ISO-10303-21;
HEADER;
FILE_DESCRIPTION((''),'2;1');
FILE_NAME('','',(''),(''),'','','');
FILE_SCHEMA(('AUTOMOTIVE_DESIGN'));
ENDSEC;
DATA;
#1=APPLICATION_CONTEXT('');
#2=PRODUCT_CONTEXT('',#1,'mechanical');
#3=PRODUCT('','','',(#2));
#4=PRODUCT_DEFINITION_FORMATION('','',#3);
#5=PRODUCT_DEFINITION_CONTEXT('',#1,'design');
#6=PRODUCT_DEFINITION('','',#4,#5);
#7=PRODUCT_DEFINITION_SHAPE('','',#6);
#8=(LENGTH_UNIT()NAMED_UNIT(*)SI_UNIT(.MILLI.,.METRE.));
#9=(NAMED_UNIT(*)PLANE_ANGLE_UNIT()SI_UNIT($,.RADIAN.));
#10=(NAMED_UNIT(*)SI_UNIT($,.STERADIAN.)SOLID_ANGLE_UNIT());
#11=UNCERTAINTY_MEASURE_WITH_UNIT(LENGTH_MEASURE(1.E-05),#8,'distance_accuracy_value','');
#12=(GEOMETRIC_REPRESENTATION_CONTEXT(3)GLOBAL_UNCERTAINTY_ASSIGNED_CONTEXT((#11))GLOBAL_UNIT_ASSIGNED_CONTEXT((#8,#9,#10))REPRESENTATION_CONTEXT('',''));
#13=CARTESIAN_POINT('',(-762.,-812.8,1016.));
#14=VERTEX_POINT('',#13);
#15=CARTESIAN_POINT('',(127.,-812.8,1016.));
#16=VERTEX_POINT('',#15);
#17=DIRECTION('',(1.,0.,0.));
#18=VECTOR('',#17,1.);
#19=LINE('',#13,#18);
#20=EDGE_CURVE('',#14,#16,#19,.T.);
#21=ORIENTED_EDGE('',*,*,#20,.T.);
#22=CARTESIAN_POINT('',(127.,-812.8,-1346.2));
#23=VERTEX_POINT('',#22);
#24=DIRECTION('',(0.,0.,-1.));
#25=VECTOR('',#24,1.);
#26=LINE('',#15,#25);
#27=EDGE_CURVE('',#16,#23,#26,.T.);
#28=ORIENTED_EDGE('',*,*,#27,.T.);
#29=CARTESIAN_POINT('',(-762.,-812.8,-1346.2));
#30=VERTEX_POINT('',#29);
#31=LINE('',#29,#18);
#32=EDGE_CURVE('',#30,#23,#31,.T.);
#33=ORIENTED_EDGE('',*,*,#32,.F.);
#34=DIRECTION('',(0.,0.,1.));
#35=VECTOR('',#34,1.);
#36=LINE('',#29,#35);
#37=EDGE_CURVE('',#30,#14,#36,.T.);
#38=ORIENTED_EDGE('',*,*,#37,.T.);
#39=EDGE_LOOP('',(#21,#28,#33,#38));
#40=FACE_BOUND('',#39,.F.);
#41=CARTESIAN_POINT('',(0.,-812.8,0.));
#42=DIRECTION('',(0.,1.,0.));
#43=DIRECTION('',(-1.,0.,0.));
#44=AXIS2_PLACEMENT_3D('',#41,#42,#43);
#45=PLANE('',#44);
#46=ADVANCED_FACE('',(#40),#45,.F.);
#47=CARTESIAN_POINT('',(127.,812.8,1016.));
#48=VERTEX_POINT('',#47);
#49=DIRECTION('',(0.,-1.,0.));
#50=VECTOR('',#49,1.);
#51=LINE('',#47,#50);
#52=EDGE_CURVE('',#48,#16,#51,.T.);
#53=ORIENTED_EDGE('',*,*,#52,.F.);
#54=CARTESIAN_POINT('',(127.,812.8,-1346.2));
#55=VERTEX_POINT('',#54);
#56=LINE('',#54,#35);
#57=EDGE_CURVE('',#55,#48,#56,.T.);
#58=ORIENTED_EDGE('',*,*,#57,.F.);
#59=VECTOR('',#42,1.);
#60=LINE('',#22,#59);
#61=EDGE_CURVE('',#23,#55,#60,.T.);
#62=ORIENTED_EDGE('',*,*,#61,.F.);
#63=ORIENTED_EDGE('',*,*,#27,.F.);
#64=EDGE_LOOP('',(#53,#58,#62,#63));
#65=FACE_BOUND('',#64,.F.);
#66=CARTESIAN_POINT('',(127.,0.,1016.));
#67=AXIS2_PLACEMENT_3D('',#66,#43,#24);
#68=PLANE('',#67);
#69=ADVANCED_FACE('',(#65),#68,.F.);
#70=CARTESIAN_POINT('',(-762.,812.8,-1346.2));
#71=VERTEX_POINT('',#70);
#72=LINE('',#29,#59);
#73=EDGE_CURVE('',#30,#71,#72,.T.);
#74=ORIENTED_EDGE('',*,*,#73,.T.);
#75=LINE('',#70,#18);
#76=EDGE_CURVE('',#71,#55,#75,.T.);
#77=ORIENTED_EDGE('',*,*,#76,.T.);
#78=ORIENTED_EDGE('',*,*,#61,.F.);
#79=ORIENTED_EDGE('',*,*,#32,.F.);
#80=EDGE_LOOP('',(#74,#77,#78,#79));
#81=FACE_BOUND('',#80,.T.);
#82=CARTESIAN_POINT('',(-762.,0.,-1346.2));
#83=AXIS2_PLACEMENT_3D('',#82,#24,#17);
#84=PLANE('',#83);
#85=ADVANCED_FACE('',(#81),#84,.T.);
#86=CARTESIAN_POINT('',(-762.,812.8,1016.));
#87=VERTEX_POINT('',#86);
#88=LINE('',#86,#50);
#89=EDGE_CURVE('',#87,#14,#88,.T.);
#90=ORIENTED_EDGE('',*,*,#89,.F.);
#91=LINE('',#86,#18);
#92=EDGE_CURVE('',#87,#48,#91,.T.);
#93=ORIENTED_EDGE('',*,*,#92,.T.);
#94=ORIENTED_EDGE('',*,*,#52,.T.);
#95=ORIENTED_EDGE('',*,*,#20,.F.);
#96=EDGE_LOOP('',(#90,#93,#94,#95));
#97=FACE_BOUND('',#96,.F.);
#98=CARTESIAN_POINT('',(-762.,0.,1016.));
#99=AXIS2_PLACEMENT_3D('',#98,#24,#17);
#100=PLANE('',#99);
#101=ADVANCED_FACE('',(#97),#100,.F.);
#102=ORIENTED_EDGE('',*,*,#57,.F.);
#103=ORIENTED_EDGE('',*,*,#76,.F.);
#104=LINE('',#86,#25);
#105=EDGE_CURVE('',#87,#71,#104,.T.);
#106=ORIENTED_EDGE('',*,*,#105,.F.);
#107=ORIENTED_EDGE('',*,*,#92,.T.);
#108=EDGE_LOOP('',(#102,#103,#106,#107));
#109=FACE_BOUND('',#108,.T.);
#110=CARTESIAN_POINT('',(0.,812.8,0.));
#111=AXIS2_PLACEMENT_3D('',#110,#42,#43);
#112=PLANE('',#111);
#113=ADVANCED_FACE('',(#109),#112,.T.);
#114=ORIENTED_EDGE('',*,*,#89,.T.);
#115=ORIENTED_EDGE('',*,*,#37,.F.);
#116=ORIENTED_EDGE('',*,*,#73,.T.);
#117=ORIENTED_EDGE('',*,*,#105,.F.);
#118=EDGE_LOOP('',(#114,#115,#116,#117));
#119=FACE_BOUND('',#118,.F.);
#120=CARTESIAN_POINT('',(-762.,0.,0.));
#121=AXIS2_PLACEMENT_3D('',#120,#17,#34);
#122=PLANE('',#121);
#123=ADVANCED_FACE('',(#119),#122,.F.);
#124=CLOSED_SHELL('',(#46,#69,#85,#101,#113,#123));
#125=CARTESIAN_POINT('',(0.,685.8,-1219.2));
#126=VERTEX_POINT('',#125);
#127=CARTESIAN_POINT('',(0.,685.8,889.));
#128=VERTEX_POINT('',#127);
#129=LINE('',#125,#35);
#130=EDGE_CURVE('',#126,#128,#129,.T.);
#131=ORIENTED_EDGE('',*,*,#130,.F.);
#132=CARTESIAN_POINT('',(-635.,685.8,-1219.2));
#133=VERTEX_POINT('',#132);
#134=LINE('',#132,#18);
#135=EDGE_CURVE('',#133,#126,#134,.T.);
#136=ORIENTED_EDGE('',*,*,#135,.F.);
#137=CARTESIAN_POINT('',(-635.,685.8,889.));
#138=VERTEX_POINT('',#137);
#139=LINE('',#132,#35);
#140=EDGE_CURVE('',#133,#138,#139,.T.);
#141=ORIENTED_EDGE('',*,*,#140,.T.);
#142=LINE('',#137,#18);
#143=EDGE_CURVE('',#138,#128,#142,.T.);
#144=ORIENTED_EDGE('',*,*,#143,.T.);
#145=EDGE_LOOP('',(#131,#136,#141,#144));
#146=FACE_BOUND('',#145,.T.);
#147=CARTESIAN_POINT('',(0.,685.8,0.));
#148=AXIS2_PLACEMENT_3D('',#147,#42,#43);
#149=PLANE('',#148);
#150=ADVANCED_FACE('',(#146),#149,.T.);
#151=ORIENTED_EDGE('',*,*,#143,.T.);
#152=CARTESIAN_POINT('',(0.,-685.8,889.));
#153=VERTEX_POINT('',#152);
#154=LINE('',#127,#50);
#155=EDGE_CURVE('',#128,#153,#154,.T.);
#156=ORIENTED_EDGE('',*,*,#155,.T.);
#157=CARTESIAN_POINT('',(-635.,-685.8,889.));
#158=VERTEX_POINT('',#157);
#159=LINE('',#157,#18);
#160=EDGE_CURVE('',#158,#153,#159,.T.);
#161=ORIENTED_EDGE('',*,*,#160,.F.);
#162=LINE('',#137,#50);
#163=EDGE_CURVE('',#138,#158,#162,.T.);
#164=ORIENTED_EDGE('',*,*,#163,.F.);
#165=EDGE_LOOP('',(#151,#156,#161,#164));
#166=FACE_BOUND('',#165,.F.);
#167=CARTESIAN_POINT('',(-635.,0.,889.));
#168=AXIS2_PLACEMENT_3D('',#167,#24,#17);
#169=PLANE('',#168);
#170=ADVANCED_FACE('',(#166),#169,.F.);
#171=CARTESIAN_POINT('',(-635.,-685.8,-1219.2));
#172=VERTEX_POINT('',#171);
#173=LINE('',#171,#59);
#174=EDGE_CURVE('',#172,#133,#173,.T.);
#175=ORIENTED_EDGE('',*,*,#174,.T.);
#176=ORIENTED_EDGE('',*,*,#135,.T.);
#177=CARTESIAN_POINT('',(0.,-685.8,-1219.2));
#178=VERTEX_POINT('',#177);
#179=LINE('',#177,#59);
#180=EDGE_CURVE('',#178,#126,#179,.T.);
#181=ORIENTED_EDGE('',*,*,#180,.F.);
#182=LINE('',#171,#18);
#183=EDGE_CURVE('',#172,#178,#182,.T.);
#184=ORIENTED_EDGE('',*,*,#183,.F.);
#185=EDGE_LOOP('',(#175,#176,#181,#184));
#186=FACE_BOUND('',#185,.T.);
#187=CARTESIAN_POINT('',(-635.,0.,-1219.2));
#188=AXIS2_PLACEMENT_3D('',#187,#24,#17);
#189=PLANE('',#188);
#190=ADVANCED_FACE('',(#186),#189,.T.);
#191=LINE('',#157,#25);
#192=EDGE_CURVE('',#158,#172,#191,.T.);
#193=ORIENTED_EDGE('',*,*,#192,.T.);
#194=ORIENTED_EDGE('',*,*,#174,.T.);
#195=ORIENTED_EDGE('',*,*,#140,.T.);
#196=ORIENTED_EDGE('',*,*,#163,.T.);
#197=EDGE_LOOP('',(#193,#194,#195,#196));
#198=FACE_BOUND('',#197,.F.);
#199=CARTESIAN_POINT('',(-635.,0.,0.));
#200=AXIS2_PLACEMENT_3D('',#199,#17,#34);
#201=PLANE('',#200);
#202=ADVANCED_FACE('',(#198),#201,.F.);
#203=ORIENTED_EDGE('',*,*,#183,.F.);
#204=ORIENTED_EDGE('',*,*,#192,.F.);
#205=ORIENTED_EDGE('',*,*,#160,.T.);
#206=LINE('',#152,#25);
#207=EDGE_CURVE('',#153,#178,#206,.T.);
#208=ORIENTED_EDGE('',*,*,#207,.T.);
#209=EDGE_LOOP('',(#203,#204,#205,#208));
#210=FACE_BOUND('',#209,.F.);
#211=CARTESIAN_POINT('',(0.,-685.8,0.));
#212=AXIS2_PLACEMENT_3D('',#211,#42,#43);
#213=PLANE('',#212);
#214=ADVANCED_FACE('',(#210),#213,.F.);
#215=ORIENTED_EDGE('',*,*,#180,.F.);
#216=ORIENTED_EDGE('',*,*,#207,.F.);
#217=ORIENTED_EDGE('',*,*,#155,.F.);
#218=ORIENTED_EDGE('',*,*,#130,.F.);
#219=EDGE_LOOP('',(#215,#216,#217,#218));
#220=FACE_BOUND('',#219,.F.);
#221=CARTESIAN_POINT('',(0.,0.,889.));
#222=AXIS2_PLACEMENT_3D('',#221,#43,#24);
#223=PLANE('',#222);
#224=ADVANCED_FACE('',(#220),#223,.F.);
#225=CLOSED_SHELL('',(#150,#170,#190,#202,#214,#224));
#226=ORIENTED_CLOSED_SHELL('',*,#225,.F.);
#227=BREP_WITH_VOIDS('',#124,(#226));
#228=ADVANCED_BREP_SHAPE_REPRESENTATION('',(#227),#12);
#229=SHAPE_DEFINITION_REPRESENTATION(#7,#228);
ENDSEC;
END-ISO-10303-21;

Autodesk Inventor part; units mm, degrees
ref_plane "YZ Plane" through (0, 0, 0) normal (1, 0, 0) x (0, 1, 0)
ref_plane "XZ Plane" through (0, 0, 0) normal (0, 1, 0) x (-1, 0, 0)
ref_plane "XY Plane" through (0, 0, 0) normal (0, 0, 1) x (1, 0, 0)
sketch "Sketch1" plane through (0, 0, 0) normal (0, 1, 0) x (-1, 0, 0)
  line L0 (0, 0) -> (635, 0)
  line L1 (635, 0) -> (635, 889)
  line L2 (635, 889) -> (0, 889)
  line L3 (0, 889) -> (0, 0)
  line L4 (-127, 0) -> (762, 0)
  line L5 (762, 0) -> (762, 1016)
  line L6 (762, 1016) -> (-127, 1016)
  line L7 (-127, 1016) -> (-127, 0)
  line L8 (0, 0) -> (635, 0)
  line L9 (635, 0) -> (635, -1219.2)
  line L10 (635, -1219.2) -> (0, -1219.2)
  line L11 (0, -1219.2) -> (0, 0)
  line L12 (-127, 0) -> (762, 0)
  line L13 (762, 0) -> (762, -1346.2)
  line L14 (762, -1346.2) -> (-127, -1346.2)
  line L15 (-127, -1346.2) -> (-127, 0)
  point P0 (762, 0)
  dimension "d0" = 635
  dimension "d1" = 889
  dimension "d2" = 889
  dimension "d3" = 1016
  dimension "d4" = 127
  dimension "d9" = 635
  dimension "d10" = 1219.2
  dimension "d11" = 889
  dimension "d12" = 1346.2
extrude "Extrusion1" add sketch "Sketch1" along normal mid plane 1625.6
extrude "Extrusion2" cut sketch "Sketch1" along normal mid plane 1371.6 contours L3 L2 L1 L0 | L0 L9 L10 L11
properties part number "parameter checker"
